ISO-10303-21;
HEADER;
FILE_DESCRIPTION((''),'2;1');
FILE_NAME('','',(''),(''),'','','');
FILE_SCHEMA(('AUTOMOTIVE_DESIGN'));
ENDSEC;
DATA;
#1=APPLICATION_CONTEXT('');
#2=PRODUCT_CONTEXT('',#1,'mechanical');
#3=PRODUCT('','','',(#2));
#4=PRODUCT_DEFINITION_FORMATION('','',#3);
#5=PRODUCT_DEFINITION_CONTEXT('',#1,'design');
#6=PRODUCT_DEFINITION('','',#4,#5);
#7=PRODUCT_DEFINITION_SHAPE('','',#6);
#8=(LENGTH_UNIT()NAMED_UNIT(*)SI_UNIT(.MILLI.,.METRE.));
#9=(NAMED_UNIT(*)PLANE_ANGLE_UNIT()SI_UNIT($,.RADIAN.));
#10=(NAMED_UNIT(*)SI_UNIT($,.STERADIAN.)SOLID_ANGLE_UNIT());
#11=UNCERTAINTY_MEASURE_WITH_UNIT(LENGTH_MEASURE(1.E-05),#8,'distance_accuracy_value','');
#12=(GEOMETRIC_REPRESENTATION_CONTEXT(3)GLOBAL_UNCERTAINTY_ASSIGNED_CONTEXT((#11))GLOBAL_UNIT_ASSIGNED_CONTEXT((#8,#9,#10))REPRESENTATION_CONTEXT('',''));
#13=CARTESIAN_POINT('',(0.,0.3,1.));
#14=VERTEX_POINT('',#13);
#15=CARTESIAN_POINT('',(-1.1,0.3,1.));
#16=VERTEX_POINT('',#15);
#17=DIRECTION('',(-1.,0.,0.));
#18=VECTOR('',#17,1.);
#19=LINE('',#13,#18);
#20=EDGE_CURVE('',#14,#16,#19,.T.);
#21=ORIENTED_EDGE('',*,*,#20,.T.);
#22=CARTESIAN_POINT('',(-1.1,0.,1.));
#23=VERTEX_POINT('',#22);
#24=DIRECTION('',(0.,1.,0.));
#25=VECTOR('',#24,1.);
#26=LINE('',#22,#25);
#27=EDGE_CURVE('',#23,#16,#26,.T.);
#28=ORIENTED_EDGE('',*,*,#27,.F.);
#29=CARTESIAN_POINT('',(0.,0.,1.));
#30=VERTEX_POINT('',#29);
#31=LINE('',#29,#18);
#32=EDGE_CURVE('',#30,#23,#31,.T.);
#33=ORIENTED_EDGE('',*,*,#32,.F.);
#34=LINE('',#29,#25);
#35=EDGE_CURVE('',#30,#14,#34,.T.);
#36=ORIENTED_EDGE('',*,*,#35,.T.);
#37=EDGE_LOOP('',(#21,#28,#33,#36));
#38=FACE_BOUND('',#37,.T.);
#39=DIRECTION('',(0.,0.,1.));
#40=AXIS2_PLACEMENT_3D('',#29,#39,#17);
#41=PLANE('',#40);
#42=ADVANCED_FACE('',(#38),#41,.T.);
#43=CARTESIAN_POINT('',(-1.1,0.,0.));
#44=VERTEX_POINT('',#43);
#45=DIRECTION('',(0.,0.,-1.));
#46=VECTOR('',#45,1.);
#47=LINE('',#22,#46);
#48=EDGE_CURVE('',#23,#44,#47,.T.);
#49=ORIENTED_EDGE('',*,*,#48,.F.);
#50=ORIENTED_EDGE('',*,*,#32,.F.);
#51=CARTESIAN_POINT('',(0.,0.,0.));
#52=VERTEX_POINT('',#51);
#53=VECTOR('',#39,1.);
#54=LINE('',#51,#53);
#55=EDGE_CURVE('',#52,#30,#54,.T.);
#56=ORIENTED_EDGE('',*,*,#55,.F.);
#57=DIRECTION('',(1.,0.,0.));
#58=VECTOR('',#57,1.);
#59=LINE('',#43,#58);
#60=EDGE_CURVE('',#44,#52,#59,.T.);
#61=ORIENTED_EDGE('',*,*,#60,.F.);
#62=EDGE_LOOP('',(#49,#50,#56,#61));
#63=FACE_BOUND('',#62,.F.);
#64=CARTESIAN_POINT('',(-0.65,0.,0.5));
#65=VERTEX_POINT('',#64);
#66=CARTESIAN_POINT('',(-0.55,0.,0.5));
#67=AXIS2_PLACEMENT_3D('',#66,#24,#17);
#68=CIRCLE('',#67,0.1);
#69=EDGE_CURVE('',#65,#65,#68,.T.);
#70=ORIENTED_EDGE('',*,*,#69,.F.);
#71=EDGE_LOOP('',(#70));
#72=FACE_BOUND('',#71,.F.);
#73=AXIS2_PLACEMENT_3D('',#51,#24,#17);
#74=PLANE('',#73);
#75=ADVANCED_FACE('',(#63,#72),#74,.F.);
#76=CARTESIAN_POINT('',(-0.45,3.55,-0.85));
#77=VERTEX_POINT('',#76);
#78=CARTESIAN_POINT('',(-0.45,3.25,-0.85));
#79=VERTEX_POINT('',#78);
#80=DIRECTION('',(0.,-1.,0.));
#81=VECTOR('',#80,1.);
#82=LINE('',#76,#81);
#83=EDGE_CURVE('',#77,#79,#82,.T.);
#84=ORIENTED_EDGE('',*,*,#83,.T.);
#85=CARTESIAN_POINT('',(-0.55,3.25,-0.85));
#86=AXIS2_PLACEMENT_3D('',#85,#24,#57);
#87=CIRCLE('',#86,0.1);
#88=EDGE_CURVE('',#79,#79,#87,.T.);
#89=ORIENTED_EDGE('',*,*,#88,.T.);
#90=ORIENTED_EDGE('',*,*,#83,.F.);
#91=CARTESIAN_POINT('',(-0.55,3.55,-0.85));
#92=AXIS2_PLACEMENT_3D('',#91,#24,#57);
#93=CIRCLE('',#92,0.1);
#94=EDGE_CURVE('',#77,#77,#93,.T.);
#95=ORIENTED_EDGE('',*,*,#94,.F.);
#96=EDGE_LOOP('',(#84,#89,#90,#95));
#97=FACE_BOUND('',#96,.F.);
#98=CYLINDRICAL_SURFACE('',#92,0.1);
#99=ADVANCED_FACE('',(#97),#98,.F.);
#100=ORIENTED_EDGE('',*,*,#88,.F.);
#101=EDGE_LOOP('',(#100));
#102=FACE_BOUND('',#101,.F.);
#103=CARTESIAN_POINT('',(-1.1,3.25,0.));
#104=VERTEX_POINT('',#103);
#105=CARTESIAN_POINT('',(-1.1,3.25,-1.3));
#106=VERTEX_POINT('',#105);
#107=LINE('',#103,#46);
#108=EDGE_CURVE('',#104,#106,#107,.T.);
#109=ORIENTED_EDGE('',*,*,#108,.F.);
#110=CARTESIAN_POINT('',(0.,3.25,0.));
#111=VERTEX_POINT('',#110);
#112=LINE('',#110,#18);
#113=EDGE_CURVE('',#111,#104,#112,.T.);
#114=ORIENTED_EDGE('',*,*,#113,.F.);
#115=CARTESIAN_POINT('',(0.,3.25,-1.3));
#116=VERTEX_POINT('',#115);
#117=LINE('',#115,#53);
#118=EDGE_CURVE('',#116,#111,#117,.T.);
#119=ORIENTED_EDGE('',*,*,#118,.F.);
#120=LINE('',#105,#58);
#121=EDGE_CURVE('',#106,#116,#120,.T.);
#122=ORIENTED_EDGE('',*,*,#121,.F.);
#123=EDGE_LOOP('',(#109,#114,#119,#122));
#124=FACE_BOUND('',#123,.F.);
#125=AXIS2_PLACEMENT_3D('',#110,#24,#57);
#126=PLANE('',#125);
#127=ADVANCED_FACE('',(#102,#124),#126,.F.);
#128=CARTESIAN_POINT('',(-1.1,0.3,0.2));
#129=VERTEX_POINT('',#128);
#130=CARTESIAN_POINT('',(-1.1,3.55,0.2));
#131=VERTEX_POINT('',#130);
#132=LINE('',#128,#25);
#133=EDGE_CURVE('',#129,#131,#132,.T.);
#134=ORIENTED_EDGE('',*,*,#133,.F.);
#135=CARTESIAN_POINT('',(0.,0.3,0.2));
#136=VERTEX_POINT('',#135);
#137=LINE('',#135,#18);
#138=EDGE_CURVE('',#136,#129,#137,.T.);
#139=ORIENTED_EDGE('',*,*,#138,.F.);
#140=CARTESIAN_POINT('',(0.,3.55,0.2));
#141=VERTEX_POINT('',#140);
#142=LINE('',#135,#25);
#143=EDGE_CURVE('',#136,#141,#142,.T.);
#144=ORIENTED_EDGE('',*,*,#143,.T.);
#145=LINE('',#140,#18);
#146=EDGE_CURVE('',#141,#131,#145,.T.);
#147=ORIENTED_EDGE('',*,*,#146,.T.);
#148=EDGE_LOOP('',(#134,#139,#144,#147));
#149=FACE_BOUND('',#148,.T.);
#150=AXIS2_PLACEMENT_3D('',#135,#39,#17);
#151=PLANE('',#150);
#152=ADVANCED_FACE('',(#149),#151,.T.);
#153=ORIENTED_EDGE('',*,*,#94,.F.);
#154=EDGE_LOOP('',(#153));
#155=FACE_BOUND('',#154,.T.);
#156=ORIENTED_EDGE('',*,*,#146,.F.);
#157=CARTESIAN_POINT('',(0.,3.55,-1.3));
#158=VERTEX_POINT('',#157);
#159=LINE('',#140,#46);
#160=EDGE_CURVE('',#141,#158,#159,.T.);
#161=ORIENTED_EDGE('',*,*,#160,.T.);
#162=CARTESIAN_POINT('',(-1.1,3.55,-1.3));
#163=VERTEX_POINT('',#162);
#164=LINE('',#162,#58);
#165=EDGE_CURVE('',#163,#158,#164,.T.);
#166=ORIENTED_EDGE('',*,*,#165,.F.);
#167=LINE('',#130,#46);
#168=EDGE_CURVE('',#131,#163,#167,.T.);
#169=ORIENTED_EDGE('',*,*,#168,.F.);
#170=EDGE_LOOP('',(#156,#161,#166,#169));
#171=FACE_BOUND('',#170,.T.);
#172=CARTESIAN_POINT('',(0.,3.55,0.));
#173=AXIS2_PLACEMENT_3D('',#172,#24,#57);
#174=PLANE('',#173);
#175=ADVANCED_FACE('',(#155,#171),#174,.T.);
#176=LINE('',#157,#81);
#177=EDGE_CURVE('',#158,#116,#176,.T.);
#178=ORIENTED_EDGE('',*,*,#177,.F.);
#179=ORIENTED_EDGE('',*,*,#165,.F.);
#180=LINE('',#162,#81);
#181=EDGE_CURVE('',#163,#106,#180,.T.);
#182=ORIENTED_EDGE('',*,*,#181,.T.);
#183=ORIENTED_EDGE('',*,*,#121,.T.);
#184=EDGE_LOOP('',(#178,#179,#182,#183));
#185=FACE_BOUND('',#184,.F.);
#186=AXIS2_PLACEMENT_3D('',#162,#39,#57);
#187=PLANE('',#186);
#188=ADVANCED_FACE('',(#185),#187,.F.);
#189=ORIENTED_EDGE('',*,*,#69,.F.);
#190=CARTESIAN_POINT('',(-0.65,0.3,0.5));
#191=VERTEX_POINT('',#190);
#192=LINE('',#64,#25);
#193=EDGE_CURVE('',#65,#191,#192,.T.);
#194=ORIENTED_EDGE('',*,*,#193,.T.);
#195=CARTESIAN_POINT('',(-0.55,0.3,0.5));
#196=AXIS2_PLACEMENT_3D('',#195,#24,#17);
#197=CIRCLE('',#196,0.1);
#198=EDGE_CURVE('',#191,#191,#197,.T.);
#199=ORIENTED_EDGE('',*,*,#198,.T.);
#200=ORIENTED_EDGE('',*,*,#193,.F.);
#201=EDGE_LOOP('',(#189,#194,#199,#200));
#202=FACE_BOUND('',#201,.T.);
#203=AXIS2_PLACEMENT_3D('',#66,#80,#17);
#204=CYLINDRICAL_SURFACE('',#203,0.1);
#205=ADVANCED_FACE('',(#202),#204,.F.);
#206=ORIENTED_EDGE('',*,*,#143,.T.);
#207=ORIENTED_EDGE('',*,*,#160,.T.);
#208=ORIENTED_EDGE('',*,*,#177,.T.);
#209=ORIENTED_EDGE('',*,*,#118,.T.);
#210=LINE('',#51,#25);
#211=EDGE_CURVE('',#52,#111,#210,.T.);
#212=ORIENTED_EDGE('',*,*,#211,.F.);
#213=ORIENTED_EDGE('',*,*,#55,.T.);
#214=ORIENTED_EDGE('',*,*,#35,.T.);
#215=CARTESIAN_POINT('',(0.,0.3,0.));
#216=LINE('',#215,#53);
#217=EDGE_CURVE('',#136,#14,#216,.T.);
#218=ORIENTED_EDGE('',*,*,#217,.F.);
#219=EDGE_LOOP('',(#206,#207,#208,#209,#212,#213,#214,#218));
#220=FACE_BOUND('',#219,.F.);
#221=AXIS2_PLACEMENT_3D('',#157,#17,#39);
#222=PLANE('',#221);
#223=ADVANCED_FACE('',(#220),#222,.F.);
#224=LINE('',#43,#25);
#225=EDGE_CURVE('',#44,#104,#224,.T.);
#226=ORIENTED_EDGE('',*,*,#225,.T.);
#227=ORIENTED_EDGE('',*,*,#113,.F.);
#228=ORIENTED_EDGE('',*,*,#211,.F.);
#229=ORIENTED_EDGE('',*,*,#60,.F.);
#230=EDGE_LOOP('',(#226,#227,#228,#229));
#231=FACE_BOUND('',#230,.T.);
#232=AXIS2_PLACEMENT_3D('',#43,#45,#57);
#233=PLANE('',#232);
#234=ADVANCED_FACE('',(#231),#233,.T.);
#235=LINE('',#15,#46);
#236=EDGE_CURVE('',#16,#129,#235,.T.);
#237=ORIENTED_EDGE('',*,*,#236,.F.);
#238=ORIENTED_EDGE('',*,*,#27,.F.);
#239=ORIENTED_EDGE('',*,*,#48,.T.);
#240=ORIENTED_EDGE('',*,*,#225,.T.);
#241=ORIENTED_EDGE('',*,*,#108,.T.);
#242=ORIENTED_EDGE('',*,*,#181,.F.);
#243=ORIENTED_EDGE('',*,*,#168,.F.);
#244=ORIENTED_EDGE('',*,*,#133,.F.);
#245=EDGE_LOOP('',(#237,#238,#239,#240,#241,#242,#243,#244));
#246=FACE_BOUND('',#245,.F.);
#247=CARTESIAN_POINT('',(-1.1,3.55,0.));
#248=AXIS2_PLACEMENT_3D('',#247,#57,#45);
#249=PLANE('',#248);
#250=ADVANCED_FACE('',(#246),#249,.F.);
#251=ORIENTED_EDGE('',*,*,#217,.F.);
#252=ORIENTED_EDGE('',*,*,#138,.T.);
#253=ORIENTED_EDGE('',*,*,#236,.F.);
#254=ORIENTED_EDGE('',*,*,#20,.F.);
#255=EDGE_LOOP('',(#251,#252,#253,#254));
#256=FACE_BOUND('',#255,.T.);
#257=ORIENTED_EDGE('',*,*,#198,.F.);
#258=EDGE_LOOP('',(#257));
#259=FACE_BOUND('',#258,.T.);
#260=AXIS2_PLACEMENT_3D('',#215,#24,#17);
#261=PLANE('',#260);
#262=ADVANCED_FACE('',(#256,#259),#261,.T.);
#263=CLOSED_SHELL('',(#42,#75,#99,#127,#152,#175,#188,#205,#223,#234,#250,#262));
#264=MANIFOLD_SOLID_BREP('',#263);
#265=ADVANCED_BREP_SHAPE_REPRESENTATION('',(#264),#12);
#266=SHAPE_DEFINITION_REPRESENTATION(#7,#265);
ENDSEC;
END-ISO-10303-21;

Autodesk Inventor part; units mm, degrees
ref_plane "YZ Plane" through (0, 0, 0) normal (1, 0, 0) x (0, 1, 0)
ref_plane "XZ Plane" through (0, 0, 0) normal (0, 1, 0) x (-1, 0, 0)
ref_plane "XY Plane" through (0, 0, 0) normal (0, 0, 1) x (1, 0, 0)
sketch "Boceto1" plane through (0, 0, 0) normal (0, 1, 0) x (-1, 0, 0)
  line L0 (0, 0) -> (0, 1)
  line L1 (0, 1) -> (1.1, 1)
  line L2 (1.1, 1) -> (1.1, 0)
  line L3 (1.1, 0) -> (0, 0)
  circle A0 centre (0.55, 0.5) radius 0.1
  dimension "d0" = 1
  dimension "d1" = 1.1
  dimension "d2" = 0.2
extrude "Extrusión1" add sketch "Boceto1" along normal blind 0.3
sketch "Boceto2" plane through (0, 0.3, 0) normal (0, 1, 0) x (1, 0, 0)
  line L0 (0, -1) -> (0, 0) projected
  line L1 (0, 0) -> (0, -0.2)
  line L2 (0, -0.2) -> (-1.1, -0.2)
  line L3 (-1.1, 0) -> (-1.1, -1) projected
  line L4 (-1.1, -0.2) -> (0, -0.2)
  line L5 (0, -0.2) -> (0, 0)
  line L6 (0, 0) -> (-1.1, 0)
  line L7 (-1.1, 0) -> (-1.1, -0.2)
  dimension "d5" = 0.2
extrude "Extrusión2" add sketch "Boceto2" along normal blind 3.25
sketch "Boceto4" plane through (0, 3.55, 0) normal (0, 1, 0) x (1, 0, 0)
  circle A0 centre (-0.55, -0.5) radius 0.1 projected
  line L0 (0, 0) -> (-1.1, 0) projected
  line L1 (-1.1, 0) -> (-1.1, 1.3)
  line L2 (-1.1, 1.3) -> (0, 1.3)
  line L3 (0, 0) -> (0, -1) projected
  line L4 (0, 1.3) -> (0, 0)
  line L5 (0, 0) -> (-1.1, 0)
  circle A1 centre (-0.55, 0.85) radius 0.1
  dimension "d12" = 1.3
  dimension "d18" = 0.2
extrude "Extrusión4" add sketch "Boceto4" against normal blind 0.3 contours L0 L1 L2 L4
properties part number "soporteOdroid"
